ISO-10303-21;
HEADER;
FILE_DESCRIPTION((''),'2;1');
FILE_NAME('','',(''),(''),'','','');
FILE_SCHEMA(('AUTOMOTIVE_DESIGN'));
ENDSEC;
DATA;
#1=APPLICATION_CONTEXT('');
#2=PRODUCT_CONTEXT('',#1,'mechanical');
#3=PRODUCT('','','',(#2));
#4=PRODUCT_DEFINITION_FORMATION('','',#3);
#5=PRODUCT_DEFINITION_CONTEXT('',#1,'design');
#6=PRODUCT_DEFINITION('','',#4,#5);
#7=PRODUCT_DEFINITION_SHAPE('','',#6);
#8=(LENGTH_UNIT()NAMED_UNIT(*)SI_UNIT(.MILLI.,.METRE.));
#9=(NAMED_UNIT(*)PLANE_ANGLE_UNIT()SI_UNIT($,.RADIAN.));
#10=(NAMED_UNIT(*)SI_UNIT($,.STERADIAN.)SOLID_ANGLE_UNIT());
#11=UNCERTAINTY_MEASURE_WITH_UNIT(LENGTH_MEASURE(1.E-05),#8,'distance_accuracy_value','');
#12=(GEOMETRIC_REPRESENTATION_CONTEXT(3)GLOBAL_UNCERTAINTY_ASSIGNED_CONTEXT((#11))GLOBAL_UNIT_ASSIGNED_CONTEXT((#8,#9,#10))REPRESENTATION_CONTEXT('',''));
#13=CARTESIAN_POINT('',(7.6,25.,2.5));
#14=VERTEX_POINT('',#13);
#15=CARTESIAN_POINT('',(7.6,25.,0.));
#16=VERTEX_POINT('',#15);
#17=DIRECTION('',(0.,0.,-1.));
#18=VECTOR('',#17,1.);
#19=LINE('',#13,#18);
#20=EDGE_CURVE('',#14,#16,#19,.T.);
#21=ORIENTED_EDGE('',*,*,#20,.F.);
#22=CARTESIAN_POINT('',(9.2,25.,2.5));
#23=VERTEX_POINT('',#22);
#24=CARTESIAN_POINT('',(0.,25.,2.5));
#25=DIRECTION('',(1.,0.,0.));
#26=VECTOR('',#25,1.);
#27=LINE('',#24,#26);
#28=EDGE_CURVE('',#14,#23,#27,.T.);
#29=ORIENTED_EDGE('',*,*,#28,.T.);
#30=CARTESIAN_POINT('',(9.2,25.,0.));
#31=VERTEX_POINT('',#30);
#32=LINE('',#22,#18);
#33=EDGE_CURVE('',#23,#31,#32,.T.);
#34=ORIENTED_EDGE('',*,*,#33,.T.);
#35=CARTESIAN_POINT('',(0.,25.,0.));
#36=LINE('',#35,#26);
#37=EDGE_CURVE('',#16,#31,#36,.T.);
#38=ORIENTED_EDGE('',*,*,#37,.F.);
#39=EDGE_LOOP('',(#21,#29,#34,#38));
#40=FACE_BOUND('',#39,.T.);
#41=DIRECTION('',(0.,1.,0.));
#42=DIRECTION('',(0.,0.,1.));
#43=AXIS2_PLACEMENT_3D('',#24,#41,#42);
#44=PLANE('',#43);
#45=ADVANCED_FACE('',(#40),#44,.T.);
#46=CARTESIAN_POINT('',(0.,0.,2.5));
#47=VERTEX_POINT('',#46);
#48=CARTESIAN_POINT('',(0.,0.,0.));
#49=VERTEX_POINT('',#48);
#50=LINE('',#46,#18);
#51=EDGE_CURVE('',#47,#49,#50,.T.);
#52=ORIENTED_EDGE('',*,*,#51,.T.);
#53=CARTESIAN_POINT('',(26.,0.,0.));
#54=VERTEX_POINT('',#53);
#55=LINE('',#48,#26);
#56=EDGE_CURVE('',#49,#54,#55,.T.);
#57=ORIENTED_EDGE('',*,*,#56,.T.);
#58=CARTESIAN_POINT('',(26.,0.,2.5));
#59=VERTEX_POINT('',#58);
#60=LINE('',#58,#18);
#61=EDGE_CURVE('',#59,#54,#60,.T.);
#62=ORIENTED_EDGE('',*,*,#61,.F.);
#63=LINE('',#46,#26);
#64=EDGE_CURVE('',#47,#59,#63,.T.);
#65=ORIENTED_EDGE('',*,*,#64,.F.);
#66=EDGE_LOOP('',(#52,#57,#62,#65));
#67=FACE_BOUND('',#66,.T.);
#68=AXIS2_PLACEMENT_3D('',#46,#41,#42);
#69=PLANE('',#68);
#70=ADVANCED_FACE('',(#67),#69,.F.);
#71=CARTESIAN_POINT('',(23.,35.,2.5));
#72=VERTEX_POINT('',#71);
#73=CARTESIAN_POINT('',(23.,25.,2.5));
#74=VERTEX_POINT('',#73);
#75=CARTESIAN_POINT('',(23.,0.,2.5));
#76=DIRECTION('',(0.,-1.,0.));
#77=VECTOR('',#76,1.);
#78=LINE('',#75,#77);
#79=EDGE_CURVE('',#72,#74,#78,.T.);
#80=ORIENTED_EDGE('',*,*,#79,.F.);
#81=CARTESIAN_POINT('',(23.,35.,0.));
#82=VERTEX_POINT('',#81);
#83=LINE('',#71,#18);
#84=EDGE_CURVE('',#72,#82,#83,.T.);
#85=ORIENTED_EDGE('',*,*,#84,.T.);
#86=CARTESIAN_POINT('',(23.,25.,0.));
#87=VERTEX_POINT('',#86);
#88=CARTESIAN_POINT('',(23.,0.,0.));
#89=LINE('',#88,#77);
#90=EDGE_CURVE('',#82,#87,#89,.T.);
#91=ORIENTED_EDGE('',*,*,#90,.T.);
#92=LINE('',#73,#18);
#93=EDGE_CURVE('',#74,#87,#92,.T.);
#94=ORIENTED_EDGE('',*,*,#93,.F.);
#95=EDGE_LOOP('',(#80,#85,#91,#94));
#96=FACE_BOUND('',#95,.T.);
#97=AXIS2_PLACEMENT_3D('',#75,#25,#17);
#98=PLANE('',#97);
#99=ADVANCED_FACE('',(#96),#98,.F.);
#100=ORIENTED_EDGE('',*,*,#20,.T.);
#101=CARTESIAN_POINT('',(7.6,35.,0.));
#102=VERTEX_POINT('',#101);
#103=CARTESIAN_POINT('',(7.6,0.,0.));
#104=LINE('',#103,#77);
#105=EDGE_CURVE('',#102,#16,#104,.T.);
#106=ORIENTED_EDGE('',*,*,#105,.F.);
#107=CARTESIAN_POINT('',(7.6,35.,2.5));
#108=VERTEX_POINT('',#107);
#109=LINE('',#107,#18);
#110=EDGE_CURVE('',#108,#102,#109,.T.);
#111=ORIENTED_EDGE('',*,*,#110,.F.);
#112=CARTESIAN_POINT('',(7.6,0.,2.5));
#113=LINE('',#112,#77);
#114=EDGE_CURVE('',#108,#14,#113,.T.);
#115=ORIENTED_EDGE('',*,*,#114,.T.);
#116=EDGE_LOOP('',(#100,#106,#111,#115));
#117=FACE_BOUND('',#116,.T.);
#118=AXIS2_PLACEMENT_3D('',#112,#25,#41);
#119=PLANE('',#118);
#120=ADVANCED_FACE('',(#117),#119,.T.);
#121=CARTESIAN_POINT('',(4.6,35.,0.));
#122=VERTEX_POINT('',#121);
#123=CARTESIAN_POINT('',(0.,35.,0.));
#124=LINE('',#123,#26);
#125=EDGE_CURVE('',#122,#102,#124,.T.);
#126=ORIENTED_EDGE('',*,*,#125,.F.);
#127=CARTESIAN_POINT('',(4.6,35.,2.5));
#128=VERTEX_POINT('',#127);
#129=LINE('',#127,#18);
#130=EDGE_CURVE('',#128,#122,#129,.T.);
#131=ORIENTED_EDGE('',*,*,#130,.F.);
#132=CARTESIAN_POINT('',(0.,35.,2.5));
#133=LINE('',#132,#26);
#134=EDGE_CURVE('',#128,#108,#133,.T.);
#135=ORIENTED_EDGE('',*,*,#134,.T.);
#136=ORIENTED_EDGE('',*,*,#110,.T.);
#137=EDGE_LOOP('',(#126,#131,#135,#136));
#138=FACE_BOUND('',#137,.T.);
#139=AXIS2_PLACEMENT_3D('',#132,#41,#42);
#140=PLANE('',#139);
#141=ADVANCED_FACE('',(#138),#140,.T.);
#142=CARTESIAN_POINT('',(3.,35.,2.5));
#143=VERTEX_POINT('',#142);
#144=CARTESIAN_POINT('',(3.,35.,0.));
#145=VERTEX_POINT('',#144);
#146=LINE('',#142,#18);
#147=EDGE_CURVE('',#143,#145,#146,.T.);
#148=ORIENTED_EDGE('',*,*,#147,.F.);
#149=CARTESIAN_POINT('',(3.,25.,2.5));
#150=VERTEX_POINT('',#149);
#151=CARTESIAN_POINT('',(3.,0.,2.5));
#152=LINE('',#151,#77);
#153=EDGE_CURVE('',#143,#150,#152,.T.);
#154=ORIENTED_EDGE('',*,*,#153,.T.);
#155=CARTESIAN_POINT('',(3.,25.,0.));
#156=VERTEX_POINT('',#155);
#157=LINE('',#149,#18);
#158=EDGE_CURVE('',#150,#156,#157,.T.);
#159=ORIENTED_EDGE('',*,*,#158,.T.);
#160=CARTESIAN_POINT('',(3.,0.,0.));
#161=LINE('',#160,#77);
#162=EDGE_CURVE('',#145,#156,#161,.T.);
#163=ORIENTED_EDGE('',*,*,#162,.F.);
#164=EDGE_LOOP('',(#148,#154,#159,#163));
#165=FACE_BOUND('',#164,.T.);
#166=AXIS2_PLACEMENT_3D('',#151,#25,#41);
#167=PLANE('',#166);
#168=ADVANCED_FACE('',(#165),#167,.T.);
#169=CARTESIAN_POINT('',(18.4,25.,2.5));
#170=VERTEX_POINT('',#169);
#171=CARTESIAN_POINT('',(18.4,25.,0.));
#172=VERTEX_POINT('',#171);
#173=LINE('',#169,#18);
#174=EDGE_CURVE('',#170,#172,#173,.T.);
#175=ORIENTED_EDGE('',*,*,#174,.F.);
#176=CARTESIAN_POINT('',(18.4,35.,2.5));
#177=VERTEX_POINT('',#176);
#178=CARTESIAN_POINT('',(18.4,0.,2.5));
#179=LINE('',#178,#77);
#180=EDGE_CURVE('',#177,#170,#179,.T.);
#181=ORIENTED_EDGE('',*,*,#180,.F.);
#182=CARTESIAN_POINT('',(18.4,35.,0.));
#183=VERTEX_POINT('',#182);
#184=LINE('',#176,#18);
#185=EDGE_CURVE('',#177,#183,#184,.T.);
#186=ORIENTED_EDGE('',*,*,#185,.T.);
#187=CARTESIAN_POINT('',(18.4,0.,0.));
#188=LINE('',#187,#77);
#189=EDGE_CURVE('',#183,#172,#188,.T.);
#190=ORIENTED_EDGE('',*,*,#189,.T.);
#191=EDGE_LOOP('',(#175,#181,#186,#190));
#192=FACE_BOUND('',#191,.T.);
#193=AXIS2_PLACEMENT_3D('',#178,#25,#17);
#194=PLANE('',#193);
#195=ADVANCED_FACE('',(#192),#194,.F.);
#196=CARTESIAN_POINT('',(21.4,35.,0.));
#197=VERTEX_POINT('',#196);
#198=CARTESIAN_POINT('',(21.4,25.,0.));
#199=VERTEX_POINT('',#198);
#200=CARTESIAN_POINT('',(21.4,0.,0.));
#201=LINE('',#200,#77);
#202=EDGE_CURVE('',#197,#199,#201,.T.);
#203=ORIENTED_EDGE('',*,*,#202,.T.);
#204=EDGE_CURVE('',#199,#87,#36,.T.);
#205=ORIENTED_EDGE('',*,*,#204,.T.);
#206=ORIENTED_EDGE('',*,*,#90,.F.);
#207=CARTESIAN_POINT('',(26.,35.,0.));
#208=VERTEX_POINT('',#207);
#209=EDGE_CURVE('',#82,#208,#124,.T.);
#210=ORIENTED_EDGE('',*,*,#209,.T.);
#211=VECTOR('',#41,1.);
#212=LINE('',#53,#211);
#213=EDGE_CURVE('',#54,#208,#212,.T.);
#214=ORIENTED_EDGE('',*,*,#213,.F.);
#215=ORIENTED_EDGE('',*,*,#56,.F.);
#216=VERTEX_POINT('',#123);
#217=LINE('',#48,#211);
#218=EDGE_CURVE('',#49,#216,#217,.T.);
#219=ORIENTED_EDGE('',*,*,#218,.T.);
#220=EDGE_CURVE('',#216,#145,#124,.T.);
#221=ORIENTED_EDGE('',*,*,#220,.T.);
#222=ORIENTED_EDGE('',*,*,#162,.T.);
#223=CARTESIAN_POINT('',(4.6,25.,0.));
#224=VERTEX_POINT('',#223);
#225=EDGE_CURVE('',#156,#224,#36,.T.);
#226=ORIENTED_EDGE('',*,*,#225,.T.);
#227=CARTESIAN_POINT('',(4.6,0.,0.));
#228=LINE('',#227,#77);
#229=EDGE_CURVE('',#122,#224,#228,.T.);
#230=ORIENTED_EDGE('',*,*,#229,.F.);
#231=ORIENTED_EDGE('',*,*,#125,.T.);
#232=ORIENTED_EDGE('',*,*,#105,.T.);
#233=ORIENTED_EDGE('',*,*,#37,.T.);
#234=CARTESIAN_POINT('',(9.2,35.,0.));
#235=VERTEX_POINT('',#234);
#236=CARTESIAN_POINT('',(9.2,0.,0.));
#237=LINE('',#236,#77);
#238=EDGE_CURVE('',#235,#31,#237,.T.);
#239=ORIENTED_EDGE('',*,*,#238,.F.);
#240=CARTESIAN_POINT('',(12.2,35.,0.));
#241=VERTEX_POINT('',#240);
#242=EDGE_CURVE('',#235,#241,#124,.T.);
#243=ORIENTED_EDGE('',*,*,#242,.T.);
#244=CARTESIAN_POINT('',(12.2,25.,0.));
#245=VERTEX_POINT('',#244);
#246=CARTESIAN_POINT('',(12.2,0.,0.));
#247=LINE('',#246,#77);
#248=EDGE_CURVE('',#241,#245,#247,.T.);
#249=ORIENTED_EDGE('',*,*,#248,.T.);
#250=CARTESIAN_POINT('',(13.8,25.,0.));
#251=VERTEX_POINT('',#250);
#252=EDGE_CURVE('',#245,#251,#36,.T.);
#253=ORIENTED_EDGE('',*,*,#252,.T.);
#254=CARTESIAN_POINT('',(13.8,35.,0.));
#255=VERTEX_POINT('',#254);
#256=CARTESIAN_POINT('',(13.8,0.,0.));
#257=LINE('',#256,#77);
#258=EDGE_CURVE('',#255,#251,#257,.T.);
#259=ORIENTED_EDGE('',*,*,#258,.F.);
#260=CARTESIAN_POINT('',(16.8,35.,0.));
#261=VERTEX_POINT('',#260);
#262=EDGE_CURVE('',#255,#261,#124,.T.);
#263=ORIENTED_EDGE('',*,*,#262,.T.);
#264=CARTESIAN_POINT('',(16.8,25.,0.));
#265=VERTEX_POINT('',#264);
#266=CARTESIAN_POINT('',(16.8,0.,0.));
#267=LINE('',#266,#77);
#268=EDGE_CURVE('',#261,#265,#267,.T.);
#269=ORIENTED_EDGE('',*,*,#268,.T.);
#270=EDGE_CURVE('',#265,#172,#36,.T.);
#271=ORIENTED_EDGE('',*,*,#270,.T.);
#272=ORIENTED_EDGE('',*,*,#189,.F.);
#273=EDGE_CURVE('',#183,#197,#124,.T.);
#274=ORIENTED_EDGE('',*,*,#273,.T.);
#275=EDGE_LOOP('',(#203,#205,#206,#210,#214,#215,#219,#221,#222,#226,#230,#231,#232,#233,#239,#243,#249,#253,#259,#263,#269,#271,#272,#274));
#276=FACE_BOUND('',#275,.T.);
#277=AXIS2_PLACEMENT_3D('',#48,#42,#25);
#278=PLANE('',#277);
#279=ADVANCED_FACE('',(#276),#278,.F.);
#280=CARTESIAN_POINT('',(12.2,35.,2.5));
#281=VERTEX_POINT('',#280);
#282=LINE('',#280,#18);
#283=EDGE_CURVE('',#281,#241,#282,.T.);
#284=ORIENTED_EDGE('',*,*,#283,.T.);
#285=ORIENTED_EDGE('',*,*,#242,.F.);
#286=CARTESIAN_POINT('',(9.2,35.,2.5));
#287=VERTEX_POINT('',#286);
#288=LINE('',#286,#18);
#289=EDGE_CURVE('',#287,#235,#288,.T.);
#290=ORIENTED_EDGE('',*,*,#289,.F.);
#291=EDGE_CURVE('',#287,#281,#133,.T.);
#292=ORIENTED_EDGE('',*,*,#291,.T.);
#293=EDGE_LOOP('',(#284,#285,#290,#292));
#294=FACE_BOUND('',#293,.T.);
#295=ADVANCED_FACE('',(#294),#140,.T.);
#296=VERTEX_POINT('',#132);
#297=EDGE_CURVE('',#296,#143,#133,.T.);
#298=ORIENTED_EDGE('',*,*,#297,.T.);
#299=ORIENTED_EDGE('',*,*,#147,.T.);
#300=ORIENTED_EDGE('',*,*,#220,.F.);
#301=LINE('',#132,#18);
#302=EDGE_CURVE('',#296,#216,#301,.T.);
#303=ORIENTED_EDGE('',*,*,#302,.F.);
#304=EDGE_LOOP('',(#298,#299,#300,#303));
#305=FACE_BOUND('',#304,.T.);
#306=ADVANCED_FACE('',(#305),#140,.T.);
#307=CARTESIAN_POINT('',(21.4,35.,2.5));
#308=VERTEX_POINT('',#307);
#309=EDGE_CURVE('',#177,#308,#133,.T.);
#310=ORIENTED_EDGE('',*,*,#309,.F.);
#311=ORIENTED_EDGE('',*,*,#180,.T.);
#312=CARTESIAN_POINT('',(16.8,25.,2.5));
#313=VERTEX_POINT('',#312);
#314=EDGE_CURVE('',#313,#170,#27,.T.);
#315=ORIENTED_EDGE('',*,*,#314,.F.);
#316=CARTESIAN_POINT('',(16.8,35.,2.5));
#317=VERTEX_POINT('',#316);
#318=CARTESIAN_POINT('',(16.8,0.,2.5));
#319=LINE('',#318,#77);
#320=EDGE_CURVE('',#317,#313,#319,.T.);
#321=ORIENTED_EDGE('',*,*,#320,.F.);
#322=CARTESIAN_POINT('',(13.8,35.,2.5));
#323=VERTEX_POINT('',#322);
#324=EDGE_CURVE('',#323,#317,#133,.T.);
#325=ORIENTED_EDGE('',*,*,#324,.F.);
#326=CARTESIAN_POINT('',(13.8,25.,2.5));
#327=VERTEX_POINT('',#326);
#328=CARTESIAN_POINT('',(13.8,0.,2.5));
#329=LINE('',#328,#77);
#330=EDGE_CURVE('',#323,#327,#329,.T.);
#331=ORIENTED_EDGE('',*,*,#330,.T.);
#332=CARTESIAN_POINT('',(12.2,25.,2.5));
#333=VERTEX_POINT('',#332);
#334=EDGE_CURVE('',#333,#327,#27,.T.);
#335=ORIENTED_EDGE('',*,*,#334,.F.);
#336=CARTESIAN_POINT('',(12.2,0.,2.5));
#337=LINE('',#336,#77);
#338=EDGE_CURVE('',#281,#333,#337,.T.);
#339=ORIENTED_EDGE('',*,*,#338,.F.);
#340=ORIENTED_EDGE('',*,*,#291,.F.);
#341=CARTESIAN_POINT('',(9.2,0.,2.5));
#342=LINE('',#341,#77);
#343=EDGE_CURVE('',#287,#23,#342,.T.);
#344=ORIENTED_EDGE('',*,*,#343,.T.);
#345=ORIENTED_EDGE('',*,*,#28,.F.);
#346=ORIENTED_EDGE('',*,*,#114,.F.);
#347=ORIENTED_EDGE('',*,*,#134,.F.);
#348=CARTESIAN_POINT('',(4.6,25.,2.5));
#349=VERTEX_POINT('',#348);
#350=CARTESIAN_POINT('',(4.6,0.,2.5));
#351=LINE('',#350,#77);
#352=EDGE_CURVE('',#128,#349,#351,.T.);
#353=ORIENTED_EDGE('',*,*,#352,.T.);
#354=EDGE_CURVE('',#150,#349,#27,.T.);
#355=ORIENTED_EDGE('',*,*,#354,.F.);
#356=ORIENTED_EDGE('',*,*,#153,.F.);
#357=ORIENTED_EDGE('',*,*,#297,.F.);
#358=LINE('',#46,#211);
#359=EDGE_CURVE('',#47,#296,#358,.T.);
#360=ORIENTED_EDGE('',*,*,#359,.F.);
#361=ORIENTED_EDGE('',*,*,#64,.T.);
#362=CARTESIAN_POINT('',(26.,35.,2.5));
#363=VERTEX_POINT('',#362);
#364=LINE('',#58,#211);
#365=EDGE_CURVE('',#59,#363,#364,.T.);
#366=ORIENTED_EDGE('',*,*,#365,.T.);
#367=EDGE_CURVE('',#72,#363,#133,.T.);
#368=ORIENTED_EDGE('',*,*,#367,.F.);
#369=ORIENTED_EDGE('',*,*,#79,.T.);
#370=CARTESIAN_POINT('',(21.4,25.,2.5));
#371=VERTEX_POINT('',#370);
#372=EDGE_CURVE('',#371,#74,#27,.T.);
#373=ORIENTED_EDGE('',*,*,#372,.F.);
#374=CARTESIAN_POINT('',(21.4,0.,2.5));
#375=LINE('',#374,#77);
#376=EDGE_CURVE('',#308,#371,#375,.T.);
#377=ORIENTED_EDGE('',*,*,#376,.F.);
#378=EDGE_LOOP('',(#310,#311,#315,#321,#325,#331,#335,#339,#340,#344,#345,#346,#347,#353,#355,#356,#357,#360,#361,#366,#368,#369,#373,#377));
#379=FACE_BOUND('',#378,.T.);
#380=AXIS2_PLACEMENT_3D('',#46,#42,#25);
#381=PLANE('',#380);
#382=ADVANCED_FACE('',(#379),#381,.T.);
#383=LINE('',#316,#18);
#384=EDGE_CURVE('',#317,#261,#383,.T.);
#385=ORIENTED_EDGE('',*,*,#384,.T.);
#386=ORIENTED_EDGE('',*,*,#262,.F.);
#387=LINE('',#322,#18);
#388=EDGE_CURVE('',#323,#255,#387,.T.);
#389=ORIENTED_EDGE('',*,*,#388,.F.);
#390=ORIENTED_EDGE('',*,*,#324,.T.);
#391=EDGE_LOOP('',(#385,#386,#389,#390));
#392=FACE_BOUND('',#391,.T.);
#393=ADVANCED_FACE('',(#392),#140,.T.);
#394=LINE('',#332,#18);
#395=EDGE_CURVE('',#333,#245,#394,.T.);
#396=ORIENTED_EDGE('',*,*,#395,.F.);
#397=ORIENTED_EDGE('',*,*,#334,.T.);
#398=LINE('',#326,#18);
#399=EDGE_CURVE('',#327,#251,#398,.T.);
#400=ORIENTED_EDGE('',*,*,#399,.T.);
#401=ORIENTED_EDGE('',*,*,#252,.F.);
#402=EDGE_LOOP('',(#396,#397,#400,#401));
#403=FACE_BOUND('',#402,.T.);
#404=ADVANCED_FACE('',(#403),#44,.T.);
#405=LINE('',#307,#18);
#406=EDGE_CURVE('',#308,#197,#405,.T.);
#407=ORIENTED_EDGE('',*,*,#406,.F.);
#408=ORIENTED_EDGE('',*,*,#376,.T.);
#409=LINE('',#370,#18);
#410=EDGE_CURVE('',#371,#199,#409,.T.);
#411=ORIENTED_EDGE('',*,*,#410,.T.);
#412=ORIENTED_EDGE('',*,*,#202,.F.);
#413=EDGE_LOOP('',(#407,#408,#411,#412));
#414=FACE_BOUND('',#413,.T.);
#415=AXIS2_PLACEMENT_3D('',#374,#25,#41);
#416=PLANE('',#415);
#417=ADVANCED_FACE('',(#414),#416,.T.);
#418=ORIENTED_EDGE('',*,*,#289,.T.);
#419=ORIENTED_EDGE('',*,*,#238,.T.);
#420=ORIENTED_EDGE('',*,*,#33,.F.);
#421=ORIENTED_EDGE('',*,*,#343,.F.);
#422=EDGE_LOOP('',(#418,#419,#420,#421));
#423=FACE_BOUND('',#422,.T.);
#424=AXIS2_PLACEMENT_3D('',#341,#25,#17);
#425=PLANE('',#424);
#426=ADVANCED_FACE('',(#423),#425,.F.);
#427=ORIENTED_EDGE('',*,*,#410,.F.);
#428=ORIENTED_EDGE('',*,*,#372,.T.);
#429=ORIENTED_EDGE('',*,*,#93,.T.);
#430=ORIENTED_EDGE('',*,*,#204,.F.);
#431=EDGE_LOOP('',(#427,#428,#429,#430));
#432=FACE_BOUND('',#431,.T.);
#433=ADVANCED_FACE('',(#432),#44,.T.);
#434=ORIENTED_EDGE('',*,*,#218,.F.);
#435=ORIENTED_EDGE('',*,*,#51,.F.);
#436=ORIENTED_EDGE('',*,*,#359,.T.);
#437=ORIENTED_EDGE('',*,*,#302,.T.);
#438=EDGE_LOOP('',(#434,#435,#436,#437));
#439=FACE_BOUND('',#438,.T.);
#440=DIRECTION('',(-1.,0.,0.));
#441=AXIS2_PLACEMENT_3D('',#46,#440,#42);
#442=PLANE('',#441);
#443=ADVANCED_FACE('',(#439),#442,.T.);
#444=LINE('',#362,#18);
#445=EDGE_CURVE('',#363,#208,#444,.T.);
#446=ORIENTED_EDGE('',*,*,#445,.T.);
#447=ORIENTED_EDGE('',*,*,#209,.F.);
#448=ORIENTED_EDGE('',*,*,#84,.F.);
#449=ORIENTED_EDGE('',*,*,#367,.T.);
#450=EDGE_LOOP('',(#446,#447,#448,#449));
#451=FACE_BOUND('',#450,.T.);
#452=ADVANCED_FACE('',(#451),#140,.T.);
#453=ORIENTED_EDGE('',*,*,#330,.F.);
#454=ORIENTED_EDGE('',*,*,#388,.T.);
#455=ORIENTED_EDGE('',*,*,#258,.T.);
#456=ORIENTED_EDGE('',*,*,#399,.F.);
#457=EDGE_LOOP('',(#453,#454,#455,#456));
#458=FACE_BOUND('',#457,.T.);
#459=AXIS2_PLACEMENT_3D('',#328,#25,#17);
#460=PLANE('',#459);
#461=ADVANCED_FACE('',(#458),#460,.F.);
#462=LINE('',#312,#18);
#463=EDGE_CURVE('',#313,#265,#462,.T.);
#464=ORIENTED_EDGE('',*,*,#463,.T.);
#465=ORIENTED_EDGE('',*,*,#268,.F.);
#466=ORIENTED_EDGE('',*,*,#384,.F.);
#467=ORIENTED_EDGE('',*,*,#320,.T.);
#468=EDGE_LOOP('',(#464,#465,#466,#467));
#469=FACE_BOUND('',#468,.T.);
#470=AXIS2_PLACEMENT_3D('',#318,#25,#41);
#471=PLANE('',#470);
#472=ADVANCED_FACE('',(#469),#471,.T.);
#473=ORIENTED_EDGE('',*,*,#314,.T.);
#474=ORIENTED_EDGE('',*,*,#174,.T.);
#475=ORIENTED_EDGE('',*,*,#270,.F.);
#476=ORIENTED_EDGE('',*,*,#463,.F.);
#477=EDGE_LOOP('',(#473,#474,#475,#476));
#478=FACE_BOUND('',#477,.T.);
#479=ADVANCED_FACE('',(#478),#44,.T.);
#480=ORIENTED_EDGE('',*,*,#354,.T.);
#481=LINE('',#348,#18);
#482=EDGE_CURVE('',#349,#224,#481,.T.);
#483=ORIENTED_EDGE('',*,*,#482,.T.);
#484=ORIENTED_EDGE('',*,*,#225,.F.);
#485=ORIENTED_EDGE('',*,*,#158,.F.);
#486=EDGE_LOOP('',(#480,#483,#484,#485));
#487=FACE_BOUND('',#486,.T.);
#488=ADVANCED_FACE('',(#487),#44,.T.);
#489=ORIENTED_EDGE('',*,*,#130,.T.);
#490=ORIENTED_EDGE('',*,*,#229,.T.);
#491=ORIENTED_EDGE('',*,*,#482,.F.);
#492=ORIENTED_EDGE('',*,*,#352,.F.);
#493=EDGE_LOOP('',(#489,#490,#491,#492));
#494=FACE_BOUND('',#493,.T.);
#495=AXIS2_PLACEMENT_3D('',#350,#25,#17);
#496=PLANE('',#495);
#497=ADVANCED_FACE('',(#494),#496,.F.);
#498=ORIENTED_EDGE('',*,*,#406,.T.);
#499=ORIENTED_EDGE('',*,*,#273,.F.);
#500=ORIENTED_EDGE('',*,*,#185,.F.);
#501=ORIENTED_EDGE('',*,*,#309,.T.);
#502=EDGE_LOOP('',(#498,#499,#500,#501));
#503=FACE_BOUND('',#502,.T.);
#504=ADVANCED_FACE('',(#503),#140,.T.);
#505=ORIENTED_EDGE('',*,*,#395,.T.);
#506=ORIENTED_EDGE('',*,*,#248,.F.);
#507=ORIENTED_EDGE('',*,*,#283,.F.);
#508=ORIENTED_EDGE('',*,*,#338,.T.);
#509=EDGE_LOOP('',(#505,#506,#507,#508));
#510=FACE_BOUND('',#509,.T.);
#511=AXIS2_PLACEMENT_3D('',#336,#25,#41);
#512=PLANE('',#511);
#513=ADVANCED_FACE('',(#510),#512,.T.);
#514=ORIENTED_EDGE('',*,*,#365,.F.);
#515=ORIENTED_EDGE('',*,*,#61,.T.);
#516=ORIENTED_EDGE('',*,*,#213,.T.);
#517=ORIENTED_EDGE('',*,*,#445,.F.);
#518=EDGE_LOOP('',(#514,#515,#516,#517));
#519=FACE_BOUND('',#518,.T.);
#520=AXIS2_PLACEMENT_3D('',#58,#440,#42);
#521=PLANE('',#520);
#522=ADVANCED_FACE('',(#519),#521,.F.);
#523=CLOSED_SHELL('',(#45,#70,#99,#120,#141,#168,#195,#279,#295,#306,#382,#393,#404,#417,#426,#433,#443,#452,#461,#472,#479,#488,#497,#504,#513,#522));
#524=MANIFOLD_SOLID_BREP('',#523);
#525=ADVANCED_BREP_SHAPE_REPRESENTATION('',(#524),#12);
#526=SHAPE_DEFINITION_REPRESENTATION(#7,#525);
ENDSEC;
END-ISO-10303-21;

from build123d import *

# Parameters (mm, degrees)
BOSS_EXTRUDE1_DEPTH = 2.5


with BuildPart() as part:
    # Sketch1 → Boss-Extrude1 (new body)
    with BuildSketch(Plane.XY):
        Polygon((0, 35), (0, 0), (26, 0), (26, 35), (23, 35), (23, 25), (21.4, 25), (21.4, 35), (18.4, 35), (18.4, 25), (16.8, 25), (16.8, 35), (13.8, 35), (13.8, 25), (12.2, 25), (12.2, 35), (9.2, 35), (9.2, 25), (7.6, 25), (7.6, 35), (4.6, 35), (4.6, 25), (3, 25), (3, 35), align=None)
    extrude(amount=BOSS_EXTRUDE1_DEPTH)


solid = part.part
